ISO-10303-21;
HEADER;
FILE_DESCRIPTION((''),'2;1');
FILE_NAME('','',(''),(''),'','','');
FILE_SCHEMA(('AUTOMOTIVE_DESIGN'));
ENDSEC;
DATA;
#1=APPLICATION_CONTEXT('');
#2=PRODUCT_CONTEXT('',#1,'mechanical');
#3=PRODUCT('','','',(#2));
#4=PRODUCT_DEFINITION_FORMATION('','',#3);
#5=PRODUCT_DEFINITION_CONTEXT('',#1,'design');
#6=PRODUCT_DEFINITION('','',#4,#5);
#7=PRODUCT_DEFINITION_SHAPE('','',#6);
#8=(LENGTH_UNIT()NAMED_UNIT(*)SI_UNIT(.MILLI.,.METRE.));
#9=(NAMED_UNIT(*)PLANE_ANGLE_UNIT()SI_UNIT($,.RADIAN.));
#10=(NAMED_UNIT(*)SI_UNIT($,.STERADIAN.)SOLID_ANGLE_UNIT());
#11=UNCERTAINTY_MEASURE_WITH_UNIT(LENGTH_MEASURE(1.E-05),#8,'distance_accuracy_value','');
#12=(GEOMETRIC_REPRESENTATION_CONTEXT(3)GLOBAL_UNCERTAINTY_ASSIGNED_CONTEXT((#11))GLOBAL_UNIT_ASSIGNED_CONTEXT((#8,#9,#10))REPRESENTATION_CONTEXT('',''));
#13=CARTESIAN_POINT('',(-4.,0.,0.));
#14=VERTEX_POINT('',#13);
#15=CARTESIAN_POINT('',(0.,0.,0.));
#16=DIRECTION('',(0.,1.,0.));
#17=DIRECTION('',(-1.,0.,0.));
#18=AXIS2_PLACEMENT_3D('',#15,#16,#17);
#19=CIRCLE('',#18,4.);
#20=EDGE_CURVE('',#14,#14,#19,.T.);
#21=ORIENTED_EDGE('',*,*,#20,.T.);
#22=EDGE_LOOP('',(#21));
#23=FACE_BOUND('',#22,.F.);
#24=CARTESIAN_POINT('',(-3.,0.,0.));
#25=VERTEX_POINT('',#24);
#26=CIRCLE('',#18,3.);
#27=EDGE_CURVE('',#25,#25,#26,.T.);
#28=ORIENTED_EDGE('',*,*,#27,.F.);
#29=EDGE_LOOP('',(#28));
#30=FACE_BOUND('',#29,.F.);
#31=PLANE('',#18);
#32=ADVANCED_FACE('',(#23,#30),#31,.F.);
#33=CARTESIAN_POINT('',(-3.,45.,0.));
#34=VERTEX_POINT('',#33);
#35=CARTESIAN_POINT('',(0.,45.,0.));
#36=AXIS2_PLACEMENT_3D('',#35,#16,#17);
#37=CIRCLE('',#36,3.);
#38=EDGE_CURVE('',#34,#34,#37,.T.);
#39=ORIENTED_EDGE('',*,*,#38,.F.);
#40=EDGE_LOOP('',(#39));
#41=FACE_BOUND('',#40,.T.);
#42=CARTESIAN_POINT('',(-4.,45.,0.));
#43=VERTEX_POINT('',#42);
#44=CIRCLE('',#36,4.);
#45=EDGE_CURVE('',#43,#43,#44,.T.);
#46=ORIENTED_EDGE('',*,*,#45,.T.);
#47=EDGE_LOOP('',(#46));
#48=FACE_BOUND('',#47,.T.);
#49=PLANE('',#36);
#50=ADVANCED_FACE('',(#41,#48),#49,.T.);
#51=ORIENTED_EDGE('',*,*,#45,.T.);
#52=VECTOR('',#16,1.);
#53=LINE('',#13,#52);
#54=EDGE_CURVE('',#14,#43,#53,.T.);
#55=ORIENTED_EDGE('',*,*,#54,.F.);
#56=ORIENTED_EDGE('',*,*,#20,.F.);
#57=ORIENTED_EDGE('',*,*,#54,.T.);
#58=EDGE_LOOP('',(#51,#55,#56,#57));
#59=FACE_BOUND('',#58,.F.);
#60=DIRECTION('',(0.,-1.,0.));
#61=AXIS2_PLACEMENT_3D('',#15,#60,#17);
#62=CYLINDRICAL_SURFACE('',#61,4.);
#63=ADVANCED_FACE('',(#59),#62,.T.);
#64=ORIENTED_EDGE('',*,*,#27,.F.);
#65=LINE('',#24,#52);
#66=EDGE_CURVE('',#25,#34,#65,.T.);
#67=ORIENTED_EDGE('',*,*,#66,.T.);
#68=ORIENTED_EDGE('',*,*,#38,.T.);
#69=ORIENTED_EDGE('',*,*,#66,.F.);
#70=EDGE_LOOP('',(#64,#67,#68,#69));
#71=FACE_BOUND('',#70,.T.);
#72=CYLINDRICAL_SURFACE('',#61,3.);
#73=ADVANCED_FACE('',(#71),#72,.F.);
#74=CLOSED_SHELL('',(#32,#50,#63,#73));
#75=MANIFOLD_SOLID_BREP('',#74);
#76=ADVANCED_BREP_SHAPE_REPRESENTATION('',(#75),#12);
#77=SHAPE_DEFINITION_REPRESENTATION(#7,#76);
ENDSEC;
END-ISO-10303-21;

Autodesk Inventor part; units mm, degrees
ref_plane "YZ Plane" through (0, 0, 0) normal (1, 0, 0) x (0, 1, 0)
ref_plane "XZ Plane" through (0, 0, 0) normal (0, 1, 0) x (-1, 0, 0)
ref_plane "XY Plane" through (0, 0, 0) normal (0, 0, 1) x (1, 0, 0)
sketch "Sketch1" plane through (0, 0, 0) normal (0, 1, 0) x (-1, 0, 0)
  circle A0 centre (0, 0) radius 4
  circle A1 centre (0, 0) radius 3
  dimension "d0" = 8
  dimension "d1" = 6
extrude "Extrusion1" add sketch "Sketch1" along normal blind 45
properties part number "Shaft" material "Stainless Steel"
